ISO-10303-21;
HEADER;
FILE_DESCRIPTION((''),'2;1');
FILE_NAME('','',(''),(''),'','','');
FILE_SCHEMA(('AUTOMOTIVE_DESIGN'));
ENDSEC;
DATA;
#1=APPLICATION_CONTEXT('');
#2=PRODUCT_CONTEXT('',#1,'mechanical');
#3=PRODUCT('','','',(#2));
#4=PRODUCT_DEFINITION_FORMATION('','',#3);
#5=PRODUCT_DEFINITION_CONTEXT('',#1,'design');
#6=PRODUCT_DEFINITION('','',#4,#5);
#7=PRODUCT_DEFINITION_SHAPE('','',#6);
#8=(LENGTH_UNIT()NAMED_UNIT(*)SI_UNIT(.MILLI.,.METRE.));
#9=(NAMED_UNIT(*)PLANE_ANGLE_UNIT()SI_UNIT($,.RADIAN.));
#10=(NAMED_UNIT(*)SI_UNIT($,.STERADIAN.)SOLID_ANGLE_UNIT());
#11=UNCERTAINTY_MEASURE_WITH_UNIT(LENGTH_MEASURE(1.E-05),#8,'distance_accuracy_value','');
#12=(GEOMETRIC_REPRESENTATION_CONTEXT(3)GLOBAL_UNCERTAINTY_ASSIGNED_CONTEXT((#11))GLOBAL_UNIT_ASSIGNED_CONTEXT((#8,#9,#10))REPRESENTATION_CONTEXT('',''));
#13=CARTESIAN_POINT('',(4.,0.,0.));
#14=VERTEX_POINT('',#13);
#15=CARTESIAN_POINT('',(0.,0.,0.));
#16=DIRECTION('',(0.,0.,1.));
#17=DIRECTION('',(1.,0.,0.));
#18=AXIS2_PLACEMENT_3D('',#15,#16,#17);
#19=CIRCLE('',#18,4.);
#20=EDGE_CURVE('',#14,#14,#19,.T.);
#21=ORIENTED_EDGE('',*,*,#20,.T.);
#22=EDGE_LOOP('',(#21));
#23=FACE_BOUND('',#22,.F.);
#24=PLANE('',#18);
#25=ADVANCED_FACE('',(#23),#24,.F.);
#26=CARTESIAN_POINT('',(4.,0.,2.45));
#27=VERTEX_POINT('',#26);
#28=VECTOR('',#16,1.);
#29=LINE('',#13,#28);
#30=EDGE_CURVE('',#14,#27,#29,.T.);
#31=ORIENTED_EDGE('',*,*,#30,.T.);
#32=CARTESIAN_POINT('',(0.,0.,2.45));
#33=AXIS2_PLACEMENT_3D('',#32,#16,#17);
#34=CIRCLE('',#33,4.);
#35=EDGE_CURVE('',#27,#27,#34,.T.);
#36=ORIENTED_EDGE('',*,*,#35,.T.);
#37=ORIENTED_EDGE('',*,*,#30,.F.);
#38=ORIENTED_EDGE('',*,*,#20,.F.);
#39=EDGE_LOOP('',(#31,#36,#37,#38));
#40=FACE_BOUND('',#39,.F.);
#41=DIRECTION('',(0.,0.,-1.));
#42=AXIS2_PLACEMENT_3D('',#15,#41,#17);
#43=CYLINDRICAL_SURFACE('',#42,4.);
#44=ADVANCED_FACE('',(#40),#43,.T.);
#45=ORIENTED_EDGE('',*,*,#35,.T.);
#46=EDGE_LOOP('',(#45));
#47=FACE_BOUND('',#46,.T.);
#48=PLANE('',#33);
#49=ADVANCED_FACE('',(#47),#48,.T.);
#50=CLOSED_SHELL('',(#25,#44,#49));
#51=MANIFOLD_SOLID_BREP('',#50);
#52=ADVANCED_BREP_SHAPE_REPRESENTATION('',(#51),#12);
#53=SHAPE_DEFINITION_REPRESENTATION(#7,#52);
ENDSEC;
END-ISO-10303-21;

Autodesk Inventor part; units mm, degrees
ref_plane "YZ Plane" through (0, 0, 0) normal (1, 0, 0) x (0, 1, 0)
ref_plane "XZ Plane" through (0, 0, 0) normal (0, 1, 0) x (-1, 0, 0)
ref_plane "XY Plane" through (0, 0, 0) normal (0, 0, 1) x (1, 0, 0)
sketch "Sketch1" plane through (0, 0, 0) normal (0, 0, 1) x (1, 0, 0)
  circle A0 centre (0, 0) radius 4
  dimension "d0" = 8
extrude "Extrusion1" add sketch "Sketch1" along normal blind 2.45
properties part number "WheelEncoderMagnet8mm"
